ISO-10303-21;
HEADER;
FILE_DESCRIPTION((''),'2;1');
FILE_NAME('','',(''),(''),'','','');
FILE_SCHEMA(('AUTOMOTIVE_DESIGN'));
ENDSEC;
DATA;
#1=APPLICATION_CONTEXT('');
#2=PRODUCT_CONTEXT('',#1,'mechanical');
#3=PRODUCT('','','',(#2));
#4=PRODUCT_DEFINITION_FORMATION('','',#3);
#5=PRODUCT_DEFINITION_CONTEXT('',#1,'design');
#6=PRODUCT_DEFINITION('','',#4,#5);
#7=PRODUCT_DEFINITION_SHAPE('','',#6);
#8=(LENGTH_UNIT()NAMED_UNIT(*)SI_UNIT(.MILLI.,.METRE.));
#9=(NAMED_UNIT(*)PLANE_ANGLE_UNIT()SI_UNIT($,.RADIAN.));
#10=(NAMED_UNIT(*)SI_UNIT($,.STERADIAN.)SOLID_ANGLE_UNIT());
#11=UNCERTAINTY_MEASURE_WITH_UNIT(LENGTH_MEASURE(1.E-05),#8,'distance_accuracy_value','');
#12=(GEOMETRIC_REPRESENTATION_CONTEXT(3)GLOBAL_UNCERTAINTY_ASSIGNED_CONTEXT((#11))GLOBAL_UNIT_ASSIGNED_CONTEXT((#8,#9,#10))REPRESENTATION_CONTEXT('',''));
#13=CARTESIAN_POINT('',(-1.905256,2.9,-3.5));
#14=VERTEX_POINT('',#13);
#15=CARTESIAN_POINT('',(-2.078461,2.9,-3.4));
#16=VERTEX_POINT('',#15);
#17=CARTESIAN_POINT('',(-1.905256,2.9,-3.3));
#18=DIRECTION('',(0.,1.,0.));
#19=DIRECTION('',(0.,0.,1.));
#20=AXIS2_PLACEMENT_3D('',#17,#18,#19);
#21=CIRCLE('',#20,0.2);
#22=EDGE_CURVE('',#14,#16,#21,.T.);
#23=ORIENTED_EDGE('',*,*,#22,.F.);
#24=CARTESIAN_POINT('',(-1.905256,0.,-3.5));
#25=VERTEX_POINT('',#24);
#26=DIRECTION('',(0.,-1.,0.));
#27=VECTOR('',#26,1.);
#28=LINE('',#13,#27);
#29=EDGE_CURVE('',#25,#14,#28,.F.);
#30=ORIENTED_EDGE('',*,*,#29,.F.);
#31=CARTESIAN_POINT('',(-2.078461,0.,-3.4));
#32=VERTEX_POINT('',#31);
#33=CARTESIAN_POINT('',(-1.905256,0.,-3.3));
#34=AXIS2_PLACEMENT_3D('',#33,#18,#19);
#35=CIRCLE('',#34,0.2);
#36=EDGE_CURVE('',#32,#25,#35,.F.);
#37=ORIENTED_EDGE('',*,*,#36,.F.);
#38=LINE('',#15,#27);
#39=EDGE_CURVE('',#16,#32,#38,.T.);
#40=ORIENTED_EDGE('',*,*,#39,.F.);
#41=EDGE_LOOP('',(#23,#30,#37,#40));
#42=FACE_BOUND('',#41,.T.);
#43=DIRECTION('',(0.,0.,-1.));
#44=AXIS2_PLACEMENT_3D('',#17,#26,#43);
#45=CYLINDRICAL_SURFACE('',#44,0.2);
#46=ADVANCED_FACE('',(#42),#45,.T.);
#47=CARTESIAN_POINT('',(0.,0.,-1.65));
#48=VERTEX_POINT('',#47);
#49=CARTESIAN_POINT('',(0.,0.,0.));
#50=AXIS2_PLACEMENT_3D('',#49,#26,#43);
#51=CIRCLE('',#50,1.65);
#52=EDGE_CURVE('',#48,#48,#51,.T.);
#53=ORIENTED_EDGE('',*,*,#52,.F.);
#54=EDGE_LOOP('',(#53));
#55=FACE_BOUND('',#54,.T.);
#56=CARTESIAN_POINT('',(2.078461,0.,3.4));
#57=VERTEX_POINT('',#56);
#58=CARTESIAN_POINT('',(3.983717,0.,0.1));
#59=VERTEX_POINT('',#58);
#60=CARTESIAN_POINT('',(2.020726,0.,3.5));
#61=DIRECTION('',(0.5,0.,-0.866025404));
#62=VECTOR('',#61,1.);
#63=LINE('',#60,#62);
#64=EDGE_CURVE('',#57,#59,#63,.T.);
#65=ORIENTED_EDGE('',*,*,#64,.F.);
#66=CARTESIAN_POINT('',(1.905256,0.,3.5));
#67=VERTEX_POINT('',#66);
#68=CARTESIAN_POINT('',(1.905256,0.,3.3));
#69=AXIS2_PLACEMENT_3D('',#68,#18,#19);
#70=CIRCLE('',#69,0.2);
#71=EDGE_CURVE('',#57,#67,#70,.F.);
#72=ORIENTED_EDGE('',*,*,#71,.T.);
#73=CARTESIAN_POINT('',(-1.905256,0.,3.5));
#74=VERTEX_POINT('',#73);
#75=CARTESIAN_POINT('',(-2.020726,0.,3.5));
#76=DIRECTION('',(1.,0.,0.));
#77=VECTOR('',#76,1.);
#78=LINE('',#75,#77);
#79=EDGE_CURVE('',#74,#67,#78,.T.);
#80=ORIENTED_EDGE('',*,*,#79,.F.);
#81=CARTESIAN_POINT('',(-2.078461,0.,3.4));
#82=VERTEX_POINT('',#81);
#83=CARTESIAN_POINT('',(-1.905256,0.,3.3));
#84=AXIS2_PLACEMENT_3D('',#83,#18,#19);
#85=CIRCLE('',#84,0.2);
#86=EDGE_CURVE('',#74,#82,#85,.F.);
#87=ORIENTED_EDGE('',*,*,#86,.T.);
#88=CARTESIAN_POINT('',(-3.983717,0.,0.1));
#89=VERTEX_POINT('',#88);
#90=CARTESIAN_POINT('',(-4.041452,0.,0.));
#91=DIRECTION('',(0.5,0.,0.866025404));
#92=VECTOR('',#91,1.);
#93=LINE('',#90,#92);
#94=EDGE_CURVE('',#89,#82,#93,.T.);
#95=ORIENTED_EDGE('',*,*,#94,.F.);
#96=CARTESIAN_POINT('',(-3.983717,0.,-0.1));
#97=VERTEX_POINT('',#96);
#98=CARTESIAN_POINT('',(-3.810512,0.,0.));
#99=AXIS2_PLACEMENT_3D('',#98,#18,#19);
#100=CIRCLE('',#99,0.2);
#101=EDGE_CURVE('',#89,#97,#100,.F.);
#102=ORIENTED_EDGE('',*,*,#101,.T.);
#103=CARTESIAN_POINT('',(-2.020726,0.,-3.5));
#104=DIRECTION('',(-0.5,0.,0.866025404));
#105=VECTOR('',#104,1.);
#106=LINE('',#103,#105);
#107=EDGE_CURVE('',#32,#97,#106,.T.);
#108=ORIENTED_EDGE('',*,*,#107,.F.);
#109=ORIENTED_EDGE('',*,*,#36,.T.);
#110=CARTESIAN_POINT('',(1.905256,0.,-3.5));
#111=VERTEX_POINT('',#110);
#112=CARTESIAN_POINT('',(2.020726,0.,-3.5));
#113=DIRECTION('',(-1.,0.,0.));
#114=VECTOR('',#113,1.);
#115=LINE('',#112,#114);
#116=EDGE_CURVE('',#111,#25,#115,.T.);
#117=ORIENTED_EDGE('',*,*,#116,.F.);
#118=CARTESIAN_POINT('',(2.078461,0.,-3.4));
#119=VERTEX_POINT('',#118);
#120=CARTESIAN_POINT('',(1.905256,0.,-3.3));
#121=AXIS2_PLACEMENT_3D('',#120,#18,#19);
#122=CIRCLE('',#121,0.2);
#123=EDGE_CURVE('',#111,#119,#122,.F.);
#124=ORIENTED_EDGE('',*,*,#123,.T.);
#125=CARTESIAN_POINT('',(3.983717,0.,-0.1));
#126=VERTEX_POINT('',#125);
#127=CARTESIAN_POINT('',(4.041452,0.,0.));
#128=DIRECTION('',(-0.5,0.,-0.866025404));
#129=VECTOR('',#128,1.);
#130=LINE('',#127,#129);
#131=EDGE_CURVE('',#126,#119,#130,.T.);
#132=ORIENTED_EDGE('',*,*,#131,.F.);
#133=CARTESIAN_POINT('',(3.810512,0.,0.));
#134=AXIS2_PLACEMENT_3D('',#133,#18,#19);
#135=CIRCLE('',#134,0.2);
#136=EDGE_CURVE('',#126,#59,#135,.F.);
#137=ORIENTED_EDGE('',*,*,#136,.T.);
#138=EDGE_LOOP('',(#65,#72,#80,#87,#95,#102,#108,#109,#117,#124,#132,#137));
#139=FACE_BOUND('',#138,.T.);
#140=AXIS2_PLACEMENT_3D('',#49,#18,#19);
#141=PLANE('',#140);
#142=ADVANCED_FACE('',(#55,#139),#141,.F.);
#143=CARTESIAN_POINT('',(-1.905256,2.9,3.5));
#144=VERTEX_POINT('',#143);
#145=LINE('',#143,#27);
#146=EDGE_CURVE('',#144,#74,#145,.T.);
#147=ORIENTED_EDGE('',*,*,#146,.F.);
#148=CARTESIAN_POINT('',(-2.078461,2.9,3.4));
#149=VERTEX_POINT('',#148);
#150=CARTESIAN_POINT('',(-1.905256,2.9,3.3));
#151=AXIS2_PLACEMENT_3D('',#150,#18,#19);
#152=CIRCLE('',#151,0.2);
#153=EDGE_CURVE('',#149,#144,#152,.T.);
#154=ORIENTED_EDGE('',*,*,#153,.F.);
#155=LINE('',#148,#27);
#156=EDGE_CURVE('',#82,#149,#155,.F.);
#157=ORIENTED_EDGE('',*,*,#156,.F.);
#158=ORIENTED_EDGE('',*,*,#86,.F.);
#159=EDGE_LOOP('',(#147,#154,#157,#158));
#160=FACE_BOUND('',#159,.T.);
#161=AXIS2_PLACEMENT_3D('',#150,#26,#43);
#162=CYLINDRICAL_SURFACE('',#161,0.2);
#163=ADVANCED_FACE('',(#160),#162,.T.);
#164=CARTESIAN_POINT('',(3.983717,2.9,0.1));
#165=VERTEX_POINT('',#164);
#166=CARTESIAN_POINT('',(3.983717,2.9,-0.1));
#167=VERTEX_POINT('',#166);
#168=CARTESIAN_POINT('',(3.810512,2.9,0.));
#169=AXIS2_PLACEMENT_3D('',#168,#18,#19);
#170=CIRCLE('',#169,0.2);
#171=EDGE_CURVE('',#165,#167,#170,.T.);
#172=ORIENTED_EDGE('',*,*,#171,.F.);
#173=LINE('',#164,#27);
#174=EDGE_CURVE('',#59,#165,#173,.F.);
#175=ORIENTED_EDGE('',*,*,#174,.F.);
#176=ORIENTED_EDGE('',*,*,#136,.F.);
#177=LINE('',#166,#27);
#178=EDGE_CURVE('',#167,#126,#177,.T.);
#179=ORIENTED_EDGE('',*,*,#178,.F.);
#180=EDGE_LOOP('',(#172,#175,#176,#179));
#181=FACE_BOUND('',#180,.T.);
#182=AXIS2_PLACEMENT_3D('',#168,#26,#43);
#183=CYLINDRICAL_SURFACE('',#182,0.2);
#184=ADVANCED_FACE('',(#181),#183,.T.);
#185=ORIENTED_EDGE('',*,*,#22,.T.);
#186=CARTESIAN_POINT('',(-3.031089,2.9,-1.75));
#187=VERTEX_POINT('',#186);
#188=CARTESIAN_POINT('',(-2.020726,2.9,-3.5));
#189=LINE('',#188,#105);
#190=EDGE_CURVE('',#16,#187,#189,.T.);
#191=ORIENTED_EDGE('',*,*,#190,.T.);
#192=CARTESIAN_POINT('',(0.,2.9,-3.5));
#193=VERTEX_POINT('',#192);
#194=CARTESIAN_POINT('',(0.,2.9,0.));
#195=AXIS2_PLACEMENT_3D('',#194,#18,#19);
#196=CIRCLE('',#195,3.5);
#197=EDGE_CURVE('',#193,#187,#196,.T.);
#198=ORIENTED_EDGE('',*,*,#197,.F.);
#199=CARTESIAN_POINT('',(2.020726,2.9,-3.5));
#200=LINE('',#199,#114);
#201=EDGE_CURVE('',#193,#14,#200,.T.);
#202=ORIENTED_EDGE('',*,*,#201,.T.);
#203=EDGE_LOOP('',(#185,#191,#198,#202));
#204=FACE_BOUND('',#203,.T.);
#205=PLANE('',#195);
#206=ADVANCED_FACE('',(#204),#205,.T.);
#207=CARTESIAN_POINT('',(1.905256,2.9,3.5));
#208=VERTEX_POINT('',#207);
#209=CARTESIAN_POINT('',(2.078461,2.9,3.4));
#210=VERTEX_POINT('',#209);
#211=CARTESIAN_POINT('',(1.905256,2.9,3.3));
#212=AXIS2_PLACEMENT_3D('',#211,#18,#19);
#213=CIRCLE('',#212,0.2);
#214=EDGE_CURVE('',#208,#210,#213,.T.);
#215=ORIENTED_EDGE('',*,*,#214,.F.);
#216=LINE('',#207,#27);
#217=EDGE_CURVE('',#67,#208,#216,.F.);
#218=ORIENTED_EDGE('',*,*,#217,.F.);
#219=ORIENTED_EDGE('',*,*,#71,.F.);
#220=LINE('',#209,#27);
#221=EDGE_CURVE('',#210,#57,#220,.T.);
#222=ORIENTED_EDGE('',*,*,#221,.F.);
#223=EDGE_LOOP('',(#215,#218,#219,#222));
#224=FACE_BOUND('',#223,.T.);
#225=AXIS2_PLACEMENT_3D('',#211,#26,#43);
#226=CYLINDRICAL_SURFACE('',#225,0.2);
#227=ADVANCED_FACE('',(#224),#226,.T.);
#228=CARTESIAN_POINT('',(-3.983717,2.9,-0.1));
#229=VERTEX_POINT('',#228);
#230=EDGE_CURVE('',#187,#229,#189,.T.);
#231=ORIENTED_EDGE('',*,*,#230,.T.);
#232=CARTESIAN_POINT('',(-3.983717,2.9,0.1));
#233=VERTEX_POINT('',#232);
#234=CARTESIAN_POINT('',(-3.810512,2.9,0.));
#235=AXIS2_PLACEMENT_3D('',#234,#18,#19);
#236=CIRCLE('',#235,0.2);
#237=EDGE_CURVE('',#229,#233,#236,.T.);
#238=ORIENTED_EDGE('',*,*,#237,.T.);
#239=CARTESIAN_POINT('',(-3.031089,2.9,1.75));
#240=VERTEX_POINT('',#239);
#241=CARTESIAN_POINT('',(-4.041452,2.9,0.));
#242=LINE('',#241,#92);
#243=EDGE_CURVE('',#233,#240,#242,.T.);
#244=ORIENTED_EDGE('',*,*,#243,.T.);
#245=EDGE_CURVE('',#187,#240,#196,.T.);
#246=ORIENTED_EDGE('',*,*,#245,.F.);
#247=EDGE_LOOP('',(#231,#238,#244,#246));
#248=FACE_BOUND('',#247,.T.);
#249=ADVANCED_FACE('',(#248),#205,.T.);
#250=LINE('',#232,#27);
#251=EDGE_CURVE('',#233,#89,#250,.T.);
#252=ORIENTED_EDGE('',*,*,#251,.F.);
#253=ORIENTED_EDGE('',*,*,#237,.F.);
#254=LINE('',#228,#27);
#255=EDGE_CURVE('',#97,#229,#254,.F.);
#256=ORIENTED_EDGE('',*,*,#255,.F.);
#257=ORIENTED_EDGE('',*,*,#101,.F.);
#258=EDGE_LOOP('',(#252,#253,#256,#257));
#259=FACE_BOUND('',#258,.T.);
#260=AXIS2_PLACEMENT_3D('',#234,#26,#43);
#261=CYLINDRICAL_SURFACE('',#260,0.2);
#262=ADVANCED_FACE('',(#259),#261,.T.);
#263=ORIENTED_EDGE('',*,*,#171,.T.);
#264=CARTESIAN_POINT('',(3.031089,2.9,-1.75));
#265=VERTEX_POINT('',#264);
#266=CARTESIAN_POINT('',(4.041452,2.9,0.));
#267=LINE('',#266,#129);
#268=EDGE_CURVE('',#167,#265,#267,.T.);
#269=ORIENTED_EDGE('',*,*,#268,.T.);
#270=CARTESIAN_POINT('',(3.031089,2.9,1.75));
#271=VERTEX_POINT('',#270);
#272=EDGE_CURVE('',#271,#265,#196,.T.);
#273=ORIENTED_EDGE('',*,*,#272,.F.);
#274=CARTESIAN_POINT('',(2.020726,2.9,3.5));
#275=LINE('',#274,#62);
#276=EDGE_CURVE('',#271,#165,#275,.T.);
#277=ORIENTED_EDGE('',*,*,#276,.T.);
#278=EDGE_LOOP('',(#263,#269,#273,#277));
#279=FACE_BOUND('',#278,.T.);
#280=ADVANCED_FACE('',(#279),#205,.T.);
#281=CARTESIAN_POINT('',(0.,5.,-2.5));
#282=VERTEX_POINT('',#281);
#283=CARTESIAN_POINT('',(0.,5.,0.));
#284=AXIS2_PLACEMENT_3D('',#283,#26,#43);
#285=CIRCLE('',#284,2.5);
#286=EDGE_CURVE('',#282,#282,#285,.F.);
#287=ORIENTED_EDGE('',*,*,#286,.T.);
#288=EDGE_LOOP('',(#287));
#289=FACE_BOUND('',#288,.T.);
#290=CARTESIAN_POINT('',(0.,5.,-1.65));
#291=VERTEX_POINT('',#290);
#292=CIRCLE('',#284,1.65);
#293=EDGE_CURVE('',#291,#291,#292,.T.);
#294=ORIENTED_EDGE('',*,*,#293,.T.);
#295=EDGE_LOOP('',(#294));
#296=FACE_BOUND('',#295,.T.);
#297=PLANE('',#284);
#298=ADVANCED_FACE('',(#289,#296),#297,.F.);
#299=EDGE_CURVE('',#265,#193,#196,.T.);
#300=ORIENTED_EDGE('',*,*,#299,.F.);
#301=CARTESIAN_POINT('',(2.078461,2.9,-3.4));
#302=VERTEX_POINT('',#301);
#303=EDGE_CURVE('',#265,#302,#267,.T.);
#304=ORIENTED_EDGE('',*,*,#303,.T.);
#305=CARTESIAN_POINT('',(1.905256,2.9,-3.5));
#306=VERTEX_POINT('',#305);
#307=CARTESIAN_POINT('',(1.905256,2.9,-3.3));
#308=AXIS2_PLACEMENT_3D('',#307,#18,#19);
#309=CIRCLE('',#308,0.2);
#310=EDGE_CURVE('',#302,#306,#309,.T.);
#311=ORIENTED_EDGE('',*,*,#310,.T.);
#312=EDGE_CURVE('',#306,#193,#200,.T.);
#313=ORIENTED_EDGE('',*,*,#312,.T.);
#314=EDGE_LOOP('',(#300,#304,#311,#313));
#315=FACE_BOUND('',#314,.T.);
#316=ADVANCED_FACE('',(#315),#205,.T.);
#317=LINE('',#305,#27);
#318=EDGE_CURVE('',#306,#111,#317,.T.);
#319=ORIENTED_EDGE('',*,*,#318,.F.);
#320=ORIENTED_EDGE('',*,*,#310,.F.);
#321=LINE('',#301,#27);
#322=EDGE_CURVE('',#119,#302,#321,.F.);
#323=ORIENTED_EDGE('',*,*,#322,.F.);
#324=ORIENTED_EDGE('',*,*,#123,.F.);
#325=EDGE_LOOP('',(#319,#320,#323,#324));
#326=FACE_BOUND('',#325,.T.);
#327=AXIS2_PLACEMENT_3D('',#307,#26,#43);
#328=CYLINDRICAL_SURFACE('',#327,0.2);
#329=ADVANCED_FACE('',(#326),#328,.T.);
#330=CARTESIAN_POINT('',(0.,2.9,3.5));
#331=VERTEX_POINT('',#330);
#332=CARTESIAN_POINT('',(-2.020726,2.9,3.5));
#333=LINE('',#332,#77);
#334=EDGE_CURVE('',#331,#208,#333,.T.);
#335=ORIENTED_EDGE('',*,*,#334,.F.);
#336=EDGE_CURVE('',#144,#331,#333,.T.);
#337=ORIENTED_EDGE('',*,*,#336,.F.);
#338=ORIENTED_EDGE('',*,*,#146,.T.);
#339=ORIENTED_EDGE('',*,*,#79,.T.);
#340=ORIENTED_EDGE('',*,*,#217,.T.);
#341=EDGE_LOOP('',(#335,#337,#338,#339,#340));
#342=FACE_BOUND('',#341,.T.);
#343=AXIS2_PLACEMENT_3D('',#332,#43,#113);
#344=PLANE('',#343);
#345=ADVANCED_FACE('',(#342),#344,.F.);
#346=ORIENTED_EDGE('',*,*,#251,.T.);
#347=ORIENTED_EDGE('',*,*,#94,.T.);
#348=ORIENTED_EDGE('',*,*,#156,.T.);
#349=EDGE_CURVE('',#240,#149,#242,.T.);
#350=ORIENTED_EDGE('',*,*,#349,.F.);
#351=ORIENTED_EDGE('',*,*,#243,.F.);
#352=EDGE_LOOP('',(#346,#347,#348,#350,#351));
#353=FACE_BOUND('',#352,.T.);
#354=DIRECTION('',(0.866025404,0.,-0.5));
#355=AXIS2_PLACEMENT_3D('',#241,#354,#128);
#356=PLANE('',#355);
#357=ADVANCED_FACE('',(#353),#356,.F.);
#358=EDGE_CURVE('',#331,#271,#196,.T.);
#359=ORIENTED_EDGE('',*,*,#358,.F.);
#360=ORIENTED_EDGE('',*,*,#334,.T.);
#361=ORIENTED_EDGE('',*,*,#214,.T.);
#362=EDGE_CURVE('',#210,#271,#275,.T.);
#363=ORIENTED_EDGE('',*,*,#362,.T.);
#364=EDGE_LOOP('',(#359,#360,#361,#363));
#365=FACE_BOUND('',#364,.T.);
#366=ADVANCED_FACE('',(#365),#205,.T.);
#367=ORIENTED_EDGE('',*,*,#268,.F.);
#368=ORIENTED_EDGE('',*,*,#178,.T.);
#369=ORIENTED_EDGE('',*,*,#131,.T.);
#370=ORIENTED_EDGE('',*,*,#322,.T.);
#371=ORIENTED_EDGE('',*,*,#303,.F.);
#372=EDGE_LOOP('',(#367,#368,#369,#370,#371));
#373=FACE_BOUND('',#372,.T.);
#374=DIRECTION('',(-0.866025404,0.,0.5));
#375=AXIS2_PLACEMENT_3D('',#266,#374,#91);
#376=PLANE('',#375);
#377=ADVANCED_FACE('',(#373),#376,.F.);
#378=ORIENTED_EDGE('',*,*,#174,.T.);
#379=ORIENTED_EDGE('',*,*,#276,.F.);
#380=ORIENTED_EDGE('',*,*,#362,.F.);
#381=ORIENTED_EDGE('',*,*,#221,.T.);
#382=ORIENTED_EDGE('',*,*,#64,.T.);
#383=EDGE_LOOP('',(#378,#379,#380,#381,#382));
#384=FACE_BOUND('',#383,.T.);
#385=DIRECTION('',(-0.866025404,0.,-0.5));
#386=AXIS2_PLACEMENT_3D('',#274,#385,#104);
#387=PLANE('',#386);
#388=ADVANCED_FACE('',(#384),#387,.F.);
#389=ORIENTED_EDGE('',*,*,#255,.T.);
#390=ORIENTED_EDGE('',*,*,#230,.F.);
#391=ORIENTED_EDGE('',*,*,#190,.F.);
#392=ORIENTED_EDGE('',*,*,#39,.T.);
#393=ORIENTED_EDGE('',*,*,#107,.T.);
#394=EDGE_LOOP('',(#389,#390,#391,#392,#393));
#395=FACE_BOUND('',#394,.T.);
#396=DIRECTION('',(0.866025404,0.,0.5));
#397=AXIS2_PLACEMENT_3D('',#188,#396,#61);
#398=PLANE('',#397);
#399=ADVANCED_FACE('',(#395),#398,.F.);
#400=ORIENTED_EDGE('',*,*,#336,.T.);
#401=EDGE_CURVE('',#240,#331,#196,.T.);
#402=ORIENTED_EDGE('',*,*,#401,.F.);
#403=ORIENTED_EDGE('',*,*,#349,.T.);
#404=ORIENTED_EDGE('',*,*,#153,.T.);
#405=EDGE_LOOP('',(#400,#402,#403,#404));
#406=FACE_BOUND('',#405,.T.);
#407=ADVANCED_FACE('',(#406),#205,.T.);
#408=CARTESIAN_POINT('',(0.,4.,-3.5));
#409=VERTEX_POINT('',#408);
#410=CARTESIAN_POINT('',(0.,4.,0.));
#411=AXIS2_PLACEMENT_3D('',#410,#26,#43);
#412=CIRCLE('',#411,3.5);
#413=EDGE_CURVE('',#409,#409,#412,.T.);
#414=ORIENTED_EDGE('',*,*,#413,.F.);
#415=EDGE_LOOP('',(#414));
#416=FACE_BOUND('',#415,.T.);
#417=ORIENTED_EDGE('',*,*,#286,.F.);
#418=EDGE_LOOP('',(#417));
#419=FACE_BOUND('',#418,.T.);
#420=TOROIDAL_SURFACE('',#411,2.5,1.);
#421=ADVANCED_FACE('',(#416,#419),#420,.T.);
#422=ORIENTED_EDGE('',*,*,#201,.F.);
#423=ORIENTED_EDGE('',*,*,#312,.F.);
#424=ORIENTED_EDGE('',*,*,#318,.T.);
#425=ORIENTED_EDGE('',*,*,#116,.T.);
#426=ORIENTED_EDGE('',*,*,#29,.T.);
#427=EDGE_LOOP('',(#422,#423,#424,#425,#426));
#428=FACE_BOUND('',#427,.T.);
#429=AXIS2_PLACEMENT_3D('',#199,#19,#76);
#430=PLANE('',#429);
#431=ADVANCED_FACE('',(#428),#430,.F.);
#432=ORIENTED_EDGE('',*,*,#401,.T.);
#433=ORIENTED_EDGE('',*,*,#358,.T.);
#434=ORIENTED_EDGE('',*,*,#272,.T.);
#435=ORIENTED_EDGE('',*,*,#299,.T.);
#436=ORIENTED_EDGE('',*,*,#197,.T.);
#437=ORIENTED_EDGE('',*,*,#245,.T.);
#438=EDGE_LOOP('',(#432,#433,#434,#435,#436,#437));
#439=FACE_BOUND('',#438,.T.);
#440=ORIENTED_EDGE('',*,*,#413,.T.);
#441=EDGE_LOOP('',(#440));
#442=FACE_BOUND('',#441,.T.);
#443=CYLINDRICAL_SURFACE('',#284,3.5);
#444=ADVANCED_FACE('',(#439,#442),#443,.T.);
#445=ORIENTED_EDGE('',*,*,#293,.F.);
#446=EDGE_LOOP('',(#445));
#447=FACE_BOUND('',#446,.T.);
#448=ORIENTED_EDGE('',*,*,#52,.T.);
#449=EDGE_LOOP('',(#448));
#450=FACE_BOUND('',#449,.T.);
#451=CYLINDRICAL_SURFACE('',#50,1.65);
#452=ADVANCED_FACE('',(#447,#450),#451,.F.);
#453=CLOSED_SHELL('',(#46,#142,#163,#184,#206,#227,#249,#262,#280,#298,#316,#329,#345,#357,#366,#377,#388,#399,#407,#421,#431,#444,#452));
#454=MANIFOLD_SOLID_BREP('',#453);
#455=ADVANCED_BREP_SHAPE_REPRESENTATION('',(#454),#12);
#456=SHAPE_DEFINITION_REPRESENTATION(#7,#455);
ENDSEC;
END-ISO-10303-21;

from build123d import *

# Parameters (mm, degrees)
BOSS_EXTRUDE1_DEPTH = 2.9
SKETCH2_R           = 3.5
BOSS_EXTRUDE2_DEPTH = 5
FILLET1_R           = 1
FILLET2_R           = 0.2
M4_TAPPED_HOLE1_D   = 3.3


with BuildPart() as part:
    # Sketch1 → Boss-Extrude1 (new body)
    with BuildSketch(Plane(origin=(0, 0, 0), x_dir=(1, 0, 0), z_dir=(0, 1, 0))):
        Polygon((4.041451884, 0), (2.020725942, 3.5), (-2.020725942, 3.5), (-4.041451884, 0), (-2.020725942, -3.5), (2.020725942, -3.5), align=None)
    extrude(amount=BOSS_EXTRUDE1_DEPTH)

    # Sketch2 → Boss-Extrude2 (add)
    with BuildSketch(Plane.XZ):
        Circle(SKETCH2_R)
    extrude(amount=-BOSS_EXTRUDE2_DEPTH)

    # Fillet1
    fillet1_edges = [part.edges().sort_by_distance(p)[0] for p in [
        (-3.5, 5, 0),
    ]]
    fillet(fillet1_edges, radius=FILLET1_R)

    # Fillet2
    fillet2_edges = [part.edges().sort_by_distance(p)[0] for p in [
        (2.020725942, 1.45, 3.5),
        (-2.020725942, 1.45, 3.5),
        (-4.041451884, 1.45, 0),
        (-2.020725942, 1.45, -3.5),
        (2.020725942, 1.45, -3.5),
        (4.041451884, 1.45, 0),
    ]]
    fillet(fillet2_edges, radius=FILLET2_R)

    # M4 Tapped Hole1 (through all)
    with Locations(Plane(origin=(0, 0, 0), x_dir=(-1, 0, 0), z_dir=(0, -1, 0))):
        with Locations((0, 0)):
            Hole(M4_TAPPED_HOLE1_D / 2)


solid = part.part
